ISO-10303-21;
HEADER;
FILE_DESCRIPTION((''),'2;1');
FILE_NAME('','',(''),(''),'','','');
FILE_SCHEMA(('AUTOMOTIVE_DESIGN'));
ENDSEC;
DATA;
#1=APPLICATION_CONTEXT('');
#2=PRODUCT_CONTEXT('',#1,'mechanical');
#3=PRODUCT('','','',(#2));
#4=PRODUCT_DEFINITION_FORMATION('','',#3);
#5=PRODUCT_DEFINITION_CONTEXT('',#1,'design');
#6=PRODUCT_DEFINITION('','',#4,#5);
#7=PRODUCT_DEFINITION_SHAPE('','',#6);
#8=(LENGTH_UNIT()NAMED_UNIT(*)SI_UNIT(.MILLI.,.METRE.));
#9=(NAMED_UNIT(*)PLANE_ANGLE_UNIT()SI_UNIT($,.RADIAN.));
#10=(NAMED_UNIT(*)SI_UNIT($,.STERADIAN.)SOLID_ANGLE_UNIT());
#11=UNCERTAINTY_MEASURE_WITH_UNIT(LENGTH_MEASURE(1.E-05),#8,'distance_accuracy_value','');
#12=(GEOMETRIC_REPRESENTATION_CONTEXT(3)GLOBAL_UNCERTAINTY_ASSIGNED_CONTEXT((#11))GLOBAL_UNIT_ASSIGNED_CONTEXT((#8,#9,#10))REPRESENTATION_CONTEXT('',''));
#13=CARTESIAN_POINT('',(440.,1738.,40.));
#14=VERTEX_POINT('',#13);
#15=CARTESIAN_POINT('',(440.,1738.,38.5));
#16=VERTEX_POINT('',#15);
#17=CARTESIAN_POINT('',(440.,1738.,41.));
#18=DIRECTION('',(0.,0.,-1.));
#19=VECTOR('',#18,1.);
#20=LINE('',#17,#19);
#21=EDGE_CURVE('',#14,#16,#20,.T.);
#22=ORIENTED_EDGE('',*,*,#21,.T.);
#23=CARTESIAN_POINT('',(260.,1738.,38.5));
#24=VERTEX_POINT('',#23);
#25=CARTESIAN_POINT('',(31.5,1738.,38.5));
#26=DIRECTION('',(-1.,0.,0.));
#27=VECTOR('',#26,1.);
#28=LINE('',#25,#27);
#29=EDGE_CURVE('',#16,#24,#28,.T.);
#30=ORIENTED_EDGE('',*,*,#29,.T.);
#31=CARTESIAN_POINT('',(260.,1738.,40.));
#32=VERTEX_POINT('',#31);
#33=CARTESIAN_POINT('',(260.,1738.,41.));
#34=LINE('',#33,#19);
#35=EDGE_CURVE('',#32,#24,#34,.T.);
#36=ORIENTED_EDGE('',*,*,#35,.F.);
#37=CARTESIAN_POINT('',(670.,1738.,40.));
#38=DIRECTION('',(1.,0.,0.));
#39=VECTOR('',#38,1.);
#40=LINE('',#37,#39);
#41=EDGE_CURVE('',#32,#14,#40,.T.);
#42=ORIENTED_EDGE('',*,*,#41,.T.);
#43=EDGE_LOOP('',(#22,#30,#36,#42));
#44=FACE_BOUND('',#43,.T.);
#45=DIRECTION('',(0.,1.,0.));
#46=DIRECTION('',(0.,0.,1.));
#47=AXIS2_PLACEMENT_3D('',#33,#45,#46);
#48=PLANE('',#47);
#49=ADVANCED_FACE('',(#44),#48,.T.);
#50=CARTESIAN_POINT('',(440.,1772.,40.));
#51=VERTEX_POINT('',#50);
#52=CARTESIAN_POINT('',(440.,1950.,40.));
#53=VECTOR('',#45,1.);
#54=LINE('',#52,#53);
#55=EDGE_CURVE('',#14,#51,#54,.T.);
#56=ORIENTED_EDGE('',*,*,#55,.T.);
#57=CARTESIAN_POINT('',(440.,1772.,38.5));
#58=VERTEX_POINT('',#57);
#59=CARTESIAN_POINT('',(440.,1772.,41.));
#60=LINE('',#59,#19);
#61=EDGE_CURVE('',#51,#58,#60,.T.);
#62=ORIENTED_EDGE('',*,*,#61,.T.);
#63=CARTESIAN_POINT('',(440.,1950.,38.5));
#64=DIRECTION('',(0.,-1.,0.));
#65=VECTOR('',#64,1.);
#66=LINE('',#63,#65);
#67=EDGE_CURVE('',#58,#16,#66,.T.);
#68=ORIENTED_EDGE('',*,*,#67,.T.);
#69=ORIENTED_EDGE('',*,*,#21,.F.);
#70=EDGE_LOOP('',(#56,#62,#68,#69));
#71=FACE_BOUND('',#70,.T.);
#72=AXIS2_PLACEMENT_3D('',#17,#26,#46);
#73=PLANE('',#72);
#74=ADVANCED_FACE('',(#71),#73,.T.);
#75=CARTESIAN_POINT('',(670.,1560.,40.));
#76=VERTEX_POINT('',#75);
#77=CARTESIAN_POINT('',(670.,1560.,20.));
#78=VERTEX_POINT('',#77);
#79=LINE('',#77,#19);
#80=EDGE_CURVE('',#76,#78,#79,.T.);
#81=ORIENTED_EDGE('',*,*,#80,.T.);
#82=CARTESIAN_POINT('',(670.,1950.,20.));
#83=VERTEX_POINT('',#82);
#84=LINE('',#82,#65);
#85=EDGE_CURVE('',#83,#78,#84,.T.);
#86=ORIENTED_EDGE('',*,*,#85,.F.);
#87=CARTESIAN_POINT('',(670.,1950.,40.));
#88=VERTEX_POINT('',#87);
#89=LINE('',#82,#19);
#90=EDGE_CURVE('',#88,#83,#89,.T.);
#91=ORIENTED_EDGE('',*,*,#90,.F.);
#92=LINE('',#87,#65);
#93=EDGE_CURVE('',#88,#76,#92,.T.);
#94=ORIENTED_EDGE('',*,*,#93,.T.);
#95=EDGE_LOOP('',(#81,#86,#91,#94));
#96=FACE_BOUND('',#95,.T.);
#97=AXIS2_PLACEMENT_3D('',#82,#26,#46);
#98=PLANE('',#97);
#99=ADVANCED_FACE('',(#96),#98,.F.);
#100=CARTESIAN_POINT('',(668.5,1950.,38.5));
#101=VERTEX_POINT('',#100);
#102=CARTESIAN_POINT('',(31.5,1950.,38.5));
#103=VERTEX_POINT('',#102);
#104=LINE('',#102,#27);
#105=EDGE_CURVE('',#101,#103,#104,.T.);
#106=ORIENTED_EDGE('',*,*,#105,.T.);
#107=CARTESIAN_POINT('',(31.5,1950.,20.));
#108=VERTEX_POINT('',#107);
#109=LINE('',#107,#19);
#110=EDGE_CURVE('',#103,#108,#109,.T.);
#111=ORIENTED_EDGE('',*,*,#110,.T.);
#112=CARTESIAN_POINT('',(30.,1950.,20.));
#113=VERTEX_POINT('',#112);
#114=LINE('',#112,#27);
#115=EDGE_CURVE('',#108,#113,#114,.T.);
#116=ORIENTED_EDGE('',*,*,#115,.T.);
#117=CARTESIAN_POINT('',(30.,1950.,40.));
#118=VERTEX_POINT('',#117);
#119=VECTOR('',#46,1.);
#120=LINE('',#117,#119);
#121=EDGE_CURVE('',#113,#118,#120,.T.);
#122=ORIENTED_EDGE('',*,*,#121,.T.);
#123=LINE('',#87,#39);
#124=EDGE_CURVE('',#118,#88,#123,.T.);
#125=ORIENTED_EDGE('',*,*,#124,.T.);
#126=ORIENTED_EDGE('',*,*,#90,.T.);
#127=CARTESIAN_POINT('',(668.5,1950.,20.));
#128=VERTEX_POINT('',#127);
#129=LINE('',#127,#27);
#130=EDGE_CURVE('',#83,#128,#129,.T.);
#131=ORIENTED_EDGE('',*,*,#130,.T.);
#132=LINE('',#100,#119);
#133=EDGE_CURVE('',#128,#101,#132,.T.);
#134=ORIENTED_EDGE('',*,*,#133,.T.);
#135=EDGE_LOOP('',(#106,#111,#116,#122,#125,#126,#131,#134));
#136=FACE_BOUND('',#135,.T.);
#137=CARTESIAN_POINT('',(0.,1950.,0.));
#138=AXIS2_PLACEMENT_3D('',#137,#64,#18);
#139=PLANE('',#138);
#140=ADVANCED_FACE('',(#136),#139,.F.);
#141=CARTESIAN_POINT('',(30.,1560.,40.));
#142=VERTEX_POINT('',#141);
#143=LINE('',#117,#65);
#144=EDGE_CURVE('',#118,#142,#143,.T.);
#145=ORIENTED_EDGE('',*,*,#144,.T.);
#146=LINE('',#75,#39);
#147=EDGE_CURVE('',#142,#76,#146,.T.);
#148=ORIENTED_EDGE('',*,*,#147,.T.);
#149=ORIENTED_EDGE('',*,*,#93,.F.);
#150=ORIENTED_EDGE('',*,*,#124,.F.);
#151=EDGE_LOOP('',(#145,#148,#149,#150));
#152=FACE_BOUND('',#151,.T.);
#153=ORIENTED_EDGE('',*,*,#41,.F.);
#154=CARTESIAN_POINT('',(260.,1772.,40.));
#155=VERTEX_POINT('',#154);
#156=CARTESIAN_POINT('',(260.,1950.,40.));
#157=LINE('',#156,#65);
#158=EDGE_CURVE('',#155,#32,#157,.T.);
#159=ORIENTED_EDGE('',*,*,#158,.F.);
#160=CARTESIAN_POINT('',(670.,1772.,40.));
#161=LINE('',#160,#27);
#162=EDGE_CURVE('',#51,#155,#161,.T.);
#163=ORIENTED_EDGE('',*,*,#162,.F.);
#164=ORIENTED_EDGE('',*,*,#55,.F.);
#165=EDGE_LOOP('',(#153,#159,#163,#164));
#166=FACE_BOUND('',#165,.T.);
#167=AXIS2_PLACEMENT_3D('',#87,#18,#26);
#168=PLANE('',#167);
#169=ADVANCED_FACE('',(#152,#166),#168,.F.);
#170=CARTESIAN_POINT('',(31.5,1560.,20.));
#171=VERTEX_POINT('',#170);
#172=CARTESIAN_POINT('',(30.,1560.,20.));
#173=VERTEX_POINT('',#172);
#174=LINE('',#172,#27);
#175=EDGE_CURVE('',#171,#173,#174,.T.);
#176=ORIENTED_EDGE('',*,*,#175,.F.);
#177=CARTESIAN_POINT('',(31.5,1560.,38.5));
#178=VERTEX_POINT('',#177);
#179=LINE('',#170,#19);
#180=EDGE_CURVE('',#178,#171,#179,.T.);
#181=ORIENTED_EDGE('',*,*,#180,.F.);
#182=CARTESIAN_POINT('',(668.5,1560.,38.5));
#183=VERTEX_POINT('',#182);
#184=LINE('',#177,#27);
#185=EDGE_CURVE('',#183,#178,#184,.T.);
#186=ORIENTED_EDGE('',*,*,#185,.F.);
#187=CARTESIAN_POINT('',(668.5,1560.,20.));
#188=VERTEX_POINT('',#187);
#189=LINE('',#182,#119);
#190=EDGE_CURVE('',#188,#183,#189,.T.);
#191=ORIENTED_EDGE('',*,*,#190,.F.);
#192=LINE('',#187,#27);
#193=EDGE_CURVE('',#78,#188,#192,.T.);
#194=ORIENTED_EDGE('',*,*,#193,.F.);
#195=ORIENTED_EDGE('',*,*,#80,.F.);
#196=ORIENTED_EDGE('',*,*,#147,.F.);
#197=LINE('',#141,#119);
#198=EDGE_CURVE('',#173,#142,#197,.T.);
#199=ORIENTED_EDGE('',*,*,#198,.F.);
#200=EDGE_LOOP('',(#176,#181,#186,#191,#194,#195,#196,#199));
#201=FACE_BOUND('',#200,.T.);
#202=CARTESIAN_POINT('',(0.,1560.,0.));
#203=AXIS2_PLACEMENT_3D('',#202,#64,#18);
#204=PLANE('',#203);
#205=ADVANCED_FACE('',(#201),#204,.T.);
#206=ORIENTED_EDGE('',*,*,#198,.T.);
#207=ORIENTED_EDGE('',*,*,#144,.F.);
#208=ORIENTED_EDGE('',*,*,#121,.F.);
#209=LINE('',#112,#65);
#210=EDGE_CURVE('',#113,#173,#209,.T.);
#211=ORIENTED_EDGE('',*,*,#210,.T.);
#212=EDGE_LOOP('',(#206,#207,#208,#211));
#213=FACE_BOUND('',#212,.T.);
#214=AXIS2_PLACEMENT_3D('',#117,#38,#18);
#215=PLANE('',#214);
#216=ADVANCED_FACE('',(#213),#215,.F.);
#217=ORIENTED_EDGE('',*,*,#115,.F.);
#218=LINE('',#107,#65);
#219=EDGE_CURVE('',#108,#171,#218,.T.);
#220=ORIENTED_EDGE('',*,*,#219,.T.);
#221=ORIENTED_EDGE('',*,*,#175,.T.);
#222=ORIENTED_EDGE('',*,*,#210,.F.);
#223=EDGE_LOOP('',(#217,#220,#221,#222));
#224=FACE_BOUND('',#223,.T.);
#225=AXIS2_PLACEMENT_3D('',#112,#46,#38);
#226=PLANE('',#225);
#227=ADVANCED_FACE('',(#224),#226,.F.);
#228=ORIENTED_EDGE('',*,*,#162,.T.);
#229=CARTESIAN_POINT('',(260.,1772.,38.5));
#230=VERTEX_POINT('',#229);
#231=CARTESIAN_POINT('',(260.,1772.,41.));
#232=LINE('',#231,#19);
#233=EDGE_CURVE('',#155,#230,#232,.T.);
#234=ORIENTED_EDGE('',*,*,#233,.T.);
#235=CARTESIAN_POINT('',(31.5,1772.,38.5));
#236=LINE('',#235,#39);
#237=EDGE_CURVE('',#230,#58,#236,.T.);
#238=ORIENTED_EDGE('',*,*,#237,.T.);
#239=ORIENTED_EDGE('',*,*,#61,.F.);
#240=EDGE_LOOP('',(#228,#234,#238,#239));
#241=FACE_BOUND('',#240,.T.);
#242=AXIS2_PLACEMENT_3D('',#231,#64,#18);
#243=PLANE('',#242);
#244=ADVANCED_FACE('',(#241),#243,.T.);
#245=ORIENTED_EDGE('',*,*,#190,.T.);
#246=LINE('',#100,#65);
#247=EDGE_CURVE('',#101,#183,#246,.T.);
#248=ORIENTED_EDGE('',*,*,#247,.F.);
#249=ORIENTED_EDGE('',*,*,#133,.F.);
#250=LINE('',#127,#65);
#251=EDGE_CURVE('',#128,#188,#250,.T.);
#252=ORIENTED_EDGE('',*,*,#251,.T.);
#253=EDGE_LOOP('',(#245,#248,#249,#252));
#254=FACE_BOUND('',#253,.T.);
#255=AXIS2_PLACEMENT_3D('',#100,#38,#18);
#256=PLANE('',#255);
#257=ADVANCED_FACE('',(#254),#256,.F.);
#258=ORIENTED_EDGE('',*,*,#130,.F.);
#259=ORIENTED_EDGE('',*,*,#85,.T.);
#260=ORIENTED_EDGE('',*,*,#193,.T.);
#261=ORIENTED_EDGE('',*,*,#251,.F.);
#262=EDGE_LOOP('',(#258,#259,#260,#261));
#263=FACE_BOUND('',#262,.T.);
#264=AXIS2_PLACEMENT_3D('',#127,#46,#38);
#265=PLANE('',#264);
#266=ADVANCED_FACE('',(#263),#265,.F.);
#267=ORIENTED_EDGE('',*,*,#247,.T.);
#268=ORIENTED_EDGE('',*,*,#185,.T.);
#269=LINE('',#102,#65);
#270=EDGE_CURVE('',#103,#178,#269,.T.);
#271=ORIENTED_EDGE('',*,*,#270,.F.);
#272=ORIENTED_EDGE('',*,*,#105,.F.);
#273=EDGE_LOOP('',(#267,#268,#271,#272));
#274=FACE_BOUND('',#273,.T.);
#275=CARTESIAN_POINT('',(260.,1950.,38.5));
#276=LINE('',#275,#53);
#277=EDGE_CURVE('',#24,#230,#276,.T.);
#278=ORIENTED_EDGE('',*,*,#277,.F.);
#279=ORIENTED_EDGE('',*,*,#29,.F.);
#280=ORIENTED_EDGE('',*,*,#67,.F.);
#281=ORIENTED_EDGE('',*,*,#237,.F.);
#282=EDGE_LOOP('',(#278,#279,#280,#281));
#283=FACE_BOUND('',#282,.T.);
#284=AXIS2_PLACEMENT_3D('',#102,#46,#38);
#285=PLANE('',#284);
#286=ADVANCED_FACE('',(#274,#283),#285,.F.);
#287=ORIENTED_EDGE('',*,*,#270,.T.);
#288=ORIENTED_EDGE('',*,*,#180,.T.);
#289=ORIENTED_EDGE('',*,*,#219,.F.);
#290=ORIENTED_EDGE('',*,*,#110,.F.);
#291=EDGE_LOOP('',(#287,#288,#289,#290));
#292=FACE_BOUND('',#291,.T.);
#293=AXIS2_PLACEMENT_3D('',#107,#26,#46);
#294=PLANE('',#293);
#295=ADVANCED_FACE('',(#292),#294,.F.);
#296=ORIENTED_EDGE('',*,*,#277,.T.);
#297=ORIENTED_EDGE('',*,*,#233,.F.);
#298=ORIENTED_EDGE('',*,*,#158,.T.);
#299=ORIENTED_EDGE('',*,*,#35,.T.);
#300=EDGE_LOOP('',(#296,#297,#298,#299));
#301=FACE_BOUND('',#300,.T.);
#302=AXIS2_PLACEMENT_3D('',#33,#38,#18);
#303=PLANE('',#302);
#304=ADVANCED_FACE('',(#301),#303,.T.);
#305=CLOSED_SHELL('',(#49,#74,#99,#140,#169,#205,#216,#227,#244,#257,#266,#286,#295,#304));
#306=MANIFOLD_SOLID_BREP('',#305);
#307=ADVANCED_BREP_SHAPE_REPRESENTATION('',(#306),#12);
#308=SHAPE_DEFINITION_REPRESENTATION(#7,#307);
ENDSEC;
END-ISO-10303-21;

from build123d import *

# Parameters (mm, degrees)
TOPPING_KLAPE_KAT1_KAPAK_1_START = 1560
TOPPING_KLAPE_KAT1_KAPAK_1_DEPTH = 390
TOPPING_KLAPE_KAT1_KAPAK_2_START = 27
SKETCH2_W                        = 180
SKETCH2_H                        = 34
TOPPING_KLAPE_KAT1_KAPAK_2_DEPTH = 14


with BuildPart() as part:
    # Sketch1 → TOPPING_klape_kat1_kapak_1 (new body)
    with BuildSketch(Plane(origin=(0, 0, 0), x_dir=(1, 0, 0), z_dir=(0, 1, 0)).offset(TOPPING_KLAPE_KAT1_KAPAK_1_START)):
        Polygon((30, -40), (30, -20), (31.5, -20), (31.5, -38.5), (668.5, -38.5), (668.5, -20), (670, -20), (670, -40), align=None)
    extrude(amount=TOPPING_KLAPE_KAT1_KAPAK_1_DEPTH)

    # Sketch2 → TOPPING_klape_kat1_kapak_2 (cut)
    with BuildSketch(Plane.XY.offset(TOPPING_KLAPE_KAT1_KAPAK_2_START)):
        with Locations((350, 1755)):
            Rectangle(SKETCH2_W, SKETCH2_H)
    extrude(amount=TOPPING_KLAPE_KAT1_KAPAK_2_DEPTH, mode=Mode.SUBTRACT)


solid = part.part
